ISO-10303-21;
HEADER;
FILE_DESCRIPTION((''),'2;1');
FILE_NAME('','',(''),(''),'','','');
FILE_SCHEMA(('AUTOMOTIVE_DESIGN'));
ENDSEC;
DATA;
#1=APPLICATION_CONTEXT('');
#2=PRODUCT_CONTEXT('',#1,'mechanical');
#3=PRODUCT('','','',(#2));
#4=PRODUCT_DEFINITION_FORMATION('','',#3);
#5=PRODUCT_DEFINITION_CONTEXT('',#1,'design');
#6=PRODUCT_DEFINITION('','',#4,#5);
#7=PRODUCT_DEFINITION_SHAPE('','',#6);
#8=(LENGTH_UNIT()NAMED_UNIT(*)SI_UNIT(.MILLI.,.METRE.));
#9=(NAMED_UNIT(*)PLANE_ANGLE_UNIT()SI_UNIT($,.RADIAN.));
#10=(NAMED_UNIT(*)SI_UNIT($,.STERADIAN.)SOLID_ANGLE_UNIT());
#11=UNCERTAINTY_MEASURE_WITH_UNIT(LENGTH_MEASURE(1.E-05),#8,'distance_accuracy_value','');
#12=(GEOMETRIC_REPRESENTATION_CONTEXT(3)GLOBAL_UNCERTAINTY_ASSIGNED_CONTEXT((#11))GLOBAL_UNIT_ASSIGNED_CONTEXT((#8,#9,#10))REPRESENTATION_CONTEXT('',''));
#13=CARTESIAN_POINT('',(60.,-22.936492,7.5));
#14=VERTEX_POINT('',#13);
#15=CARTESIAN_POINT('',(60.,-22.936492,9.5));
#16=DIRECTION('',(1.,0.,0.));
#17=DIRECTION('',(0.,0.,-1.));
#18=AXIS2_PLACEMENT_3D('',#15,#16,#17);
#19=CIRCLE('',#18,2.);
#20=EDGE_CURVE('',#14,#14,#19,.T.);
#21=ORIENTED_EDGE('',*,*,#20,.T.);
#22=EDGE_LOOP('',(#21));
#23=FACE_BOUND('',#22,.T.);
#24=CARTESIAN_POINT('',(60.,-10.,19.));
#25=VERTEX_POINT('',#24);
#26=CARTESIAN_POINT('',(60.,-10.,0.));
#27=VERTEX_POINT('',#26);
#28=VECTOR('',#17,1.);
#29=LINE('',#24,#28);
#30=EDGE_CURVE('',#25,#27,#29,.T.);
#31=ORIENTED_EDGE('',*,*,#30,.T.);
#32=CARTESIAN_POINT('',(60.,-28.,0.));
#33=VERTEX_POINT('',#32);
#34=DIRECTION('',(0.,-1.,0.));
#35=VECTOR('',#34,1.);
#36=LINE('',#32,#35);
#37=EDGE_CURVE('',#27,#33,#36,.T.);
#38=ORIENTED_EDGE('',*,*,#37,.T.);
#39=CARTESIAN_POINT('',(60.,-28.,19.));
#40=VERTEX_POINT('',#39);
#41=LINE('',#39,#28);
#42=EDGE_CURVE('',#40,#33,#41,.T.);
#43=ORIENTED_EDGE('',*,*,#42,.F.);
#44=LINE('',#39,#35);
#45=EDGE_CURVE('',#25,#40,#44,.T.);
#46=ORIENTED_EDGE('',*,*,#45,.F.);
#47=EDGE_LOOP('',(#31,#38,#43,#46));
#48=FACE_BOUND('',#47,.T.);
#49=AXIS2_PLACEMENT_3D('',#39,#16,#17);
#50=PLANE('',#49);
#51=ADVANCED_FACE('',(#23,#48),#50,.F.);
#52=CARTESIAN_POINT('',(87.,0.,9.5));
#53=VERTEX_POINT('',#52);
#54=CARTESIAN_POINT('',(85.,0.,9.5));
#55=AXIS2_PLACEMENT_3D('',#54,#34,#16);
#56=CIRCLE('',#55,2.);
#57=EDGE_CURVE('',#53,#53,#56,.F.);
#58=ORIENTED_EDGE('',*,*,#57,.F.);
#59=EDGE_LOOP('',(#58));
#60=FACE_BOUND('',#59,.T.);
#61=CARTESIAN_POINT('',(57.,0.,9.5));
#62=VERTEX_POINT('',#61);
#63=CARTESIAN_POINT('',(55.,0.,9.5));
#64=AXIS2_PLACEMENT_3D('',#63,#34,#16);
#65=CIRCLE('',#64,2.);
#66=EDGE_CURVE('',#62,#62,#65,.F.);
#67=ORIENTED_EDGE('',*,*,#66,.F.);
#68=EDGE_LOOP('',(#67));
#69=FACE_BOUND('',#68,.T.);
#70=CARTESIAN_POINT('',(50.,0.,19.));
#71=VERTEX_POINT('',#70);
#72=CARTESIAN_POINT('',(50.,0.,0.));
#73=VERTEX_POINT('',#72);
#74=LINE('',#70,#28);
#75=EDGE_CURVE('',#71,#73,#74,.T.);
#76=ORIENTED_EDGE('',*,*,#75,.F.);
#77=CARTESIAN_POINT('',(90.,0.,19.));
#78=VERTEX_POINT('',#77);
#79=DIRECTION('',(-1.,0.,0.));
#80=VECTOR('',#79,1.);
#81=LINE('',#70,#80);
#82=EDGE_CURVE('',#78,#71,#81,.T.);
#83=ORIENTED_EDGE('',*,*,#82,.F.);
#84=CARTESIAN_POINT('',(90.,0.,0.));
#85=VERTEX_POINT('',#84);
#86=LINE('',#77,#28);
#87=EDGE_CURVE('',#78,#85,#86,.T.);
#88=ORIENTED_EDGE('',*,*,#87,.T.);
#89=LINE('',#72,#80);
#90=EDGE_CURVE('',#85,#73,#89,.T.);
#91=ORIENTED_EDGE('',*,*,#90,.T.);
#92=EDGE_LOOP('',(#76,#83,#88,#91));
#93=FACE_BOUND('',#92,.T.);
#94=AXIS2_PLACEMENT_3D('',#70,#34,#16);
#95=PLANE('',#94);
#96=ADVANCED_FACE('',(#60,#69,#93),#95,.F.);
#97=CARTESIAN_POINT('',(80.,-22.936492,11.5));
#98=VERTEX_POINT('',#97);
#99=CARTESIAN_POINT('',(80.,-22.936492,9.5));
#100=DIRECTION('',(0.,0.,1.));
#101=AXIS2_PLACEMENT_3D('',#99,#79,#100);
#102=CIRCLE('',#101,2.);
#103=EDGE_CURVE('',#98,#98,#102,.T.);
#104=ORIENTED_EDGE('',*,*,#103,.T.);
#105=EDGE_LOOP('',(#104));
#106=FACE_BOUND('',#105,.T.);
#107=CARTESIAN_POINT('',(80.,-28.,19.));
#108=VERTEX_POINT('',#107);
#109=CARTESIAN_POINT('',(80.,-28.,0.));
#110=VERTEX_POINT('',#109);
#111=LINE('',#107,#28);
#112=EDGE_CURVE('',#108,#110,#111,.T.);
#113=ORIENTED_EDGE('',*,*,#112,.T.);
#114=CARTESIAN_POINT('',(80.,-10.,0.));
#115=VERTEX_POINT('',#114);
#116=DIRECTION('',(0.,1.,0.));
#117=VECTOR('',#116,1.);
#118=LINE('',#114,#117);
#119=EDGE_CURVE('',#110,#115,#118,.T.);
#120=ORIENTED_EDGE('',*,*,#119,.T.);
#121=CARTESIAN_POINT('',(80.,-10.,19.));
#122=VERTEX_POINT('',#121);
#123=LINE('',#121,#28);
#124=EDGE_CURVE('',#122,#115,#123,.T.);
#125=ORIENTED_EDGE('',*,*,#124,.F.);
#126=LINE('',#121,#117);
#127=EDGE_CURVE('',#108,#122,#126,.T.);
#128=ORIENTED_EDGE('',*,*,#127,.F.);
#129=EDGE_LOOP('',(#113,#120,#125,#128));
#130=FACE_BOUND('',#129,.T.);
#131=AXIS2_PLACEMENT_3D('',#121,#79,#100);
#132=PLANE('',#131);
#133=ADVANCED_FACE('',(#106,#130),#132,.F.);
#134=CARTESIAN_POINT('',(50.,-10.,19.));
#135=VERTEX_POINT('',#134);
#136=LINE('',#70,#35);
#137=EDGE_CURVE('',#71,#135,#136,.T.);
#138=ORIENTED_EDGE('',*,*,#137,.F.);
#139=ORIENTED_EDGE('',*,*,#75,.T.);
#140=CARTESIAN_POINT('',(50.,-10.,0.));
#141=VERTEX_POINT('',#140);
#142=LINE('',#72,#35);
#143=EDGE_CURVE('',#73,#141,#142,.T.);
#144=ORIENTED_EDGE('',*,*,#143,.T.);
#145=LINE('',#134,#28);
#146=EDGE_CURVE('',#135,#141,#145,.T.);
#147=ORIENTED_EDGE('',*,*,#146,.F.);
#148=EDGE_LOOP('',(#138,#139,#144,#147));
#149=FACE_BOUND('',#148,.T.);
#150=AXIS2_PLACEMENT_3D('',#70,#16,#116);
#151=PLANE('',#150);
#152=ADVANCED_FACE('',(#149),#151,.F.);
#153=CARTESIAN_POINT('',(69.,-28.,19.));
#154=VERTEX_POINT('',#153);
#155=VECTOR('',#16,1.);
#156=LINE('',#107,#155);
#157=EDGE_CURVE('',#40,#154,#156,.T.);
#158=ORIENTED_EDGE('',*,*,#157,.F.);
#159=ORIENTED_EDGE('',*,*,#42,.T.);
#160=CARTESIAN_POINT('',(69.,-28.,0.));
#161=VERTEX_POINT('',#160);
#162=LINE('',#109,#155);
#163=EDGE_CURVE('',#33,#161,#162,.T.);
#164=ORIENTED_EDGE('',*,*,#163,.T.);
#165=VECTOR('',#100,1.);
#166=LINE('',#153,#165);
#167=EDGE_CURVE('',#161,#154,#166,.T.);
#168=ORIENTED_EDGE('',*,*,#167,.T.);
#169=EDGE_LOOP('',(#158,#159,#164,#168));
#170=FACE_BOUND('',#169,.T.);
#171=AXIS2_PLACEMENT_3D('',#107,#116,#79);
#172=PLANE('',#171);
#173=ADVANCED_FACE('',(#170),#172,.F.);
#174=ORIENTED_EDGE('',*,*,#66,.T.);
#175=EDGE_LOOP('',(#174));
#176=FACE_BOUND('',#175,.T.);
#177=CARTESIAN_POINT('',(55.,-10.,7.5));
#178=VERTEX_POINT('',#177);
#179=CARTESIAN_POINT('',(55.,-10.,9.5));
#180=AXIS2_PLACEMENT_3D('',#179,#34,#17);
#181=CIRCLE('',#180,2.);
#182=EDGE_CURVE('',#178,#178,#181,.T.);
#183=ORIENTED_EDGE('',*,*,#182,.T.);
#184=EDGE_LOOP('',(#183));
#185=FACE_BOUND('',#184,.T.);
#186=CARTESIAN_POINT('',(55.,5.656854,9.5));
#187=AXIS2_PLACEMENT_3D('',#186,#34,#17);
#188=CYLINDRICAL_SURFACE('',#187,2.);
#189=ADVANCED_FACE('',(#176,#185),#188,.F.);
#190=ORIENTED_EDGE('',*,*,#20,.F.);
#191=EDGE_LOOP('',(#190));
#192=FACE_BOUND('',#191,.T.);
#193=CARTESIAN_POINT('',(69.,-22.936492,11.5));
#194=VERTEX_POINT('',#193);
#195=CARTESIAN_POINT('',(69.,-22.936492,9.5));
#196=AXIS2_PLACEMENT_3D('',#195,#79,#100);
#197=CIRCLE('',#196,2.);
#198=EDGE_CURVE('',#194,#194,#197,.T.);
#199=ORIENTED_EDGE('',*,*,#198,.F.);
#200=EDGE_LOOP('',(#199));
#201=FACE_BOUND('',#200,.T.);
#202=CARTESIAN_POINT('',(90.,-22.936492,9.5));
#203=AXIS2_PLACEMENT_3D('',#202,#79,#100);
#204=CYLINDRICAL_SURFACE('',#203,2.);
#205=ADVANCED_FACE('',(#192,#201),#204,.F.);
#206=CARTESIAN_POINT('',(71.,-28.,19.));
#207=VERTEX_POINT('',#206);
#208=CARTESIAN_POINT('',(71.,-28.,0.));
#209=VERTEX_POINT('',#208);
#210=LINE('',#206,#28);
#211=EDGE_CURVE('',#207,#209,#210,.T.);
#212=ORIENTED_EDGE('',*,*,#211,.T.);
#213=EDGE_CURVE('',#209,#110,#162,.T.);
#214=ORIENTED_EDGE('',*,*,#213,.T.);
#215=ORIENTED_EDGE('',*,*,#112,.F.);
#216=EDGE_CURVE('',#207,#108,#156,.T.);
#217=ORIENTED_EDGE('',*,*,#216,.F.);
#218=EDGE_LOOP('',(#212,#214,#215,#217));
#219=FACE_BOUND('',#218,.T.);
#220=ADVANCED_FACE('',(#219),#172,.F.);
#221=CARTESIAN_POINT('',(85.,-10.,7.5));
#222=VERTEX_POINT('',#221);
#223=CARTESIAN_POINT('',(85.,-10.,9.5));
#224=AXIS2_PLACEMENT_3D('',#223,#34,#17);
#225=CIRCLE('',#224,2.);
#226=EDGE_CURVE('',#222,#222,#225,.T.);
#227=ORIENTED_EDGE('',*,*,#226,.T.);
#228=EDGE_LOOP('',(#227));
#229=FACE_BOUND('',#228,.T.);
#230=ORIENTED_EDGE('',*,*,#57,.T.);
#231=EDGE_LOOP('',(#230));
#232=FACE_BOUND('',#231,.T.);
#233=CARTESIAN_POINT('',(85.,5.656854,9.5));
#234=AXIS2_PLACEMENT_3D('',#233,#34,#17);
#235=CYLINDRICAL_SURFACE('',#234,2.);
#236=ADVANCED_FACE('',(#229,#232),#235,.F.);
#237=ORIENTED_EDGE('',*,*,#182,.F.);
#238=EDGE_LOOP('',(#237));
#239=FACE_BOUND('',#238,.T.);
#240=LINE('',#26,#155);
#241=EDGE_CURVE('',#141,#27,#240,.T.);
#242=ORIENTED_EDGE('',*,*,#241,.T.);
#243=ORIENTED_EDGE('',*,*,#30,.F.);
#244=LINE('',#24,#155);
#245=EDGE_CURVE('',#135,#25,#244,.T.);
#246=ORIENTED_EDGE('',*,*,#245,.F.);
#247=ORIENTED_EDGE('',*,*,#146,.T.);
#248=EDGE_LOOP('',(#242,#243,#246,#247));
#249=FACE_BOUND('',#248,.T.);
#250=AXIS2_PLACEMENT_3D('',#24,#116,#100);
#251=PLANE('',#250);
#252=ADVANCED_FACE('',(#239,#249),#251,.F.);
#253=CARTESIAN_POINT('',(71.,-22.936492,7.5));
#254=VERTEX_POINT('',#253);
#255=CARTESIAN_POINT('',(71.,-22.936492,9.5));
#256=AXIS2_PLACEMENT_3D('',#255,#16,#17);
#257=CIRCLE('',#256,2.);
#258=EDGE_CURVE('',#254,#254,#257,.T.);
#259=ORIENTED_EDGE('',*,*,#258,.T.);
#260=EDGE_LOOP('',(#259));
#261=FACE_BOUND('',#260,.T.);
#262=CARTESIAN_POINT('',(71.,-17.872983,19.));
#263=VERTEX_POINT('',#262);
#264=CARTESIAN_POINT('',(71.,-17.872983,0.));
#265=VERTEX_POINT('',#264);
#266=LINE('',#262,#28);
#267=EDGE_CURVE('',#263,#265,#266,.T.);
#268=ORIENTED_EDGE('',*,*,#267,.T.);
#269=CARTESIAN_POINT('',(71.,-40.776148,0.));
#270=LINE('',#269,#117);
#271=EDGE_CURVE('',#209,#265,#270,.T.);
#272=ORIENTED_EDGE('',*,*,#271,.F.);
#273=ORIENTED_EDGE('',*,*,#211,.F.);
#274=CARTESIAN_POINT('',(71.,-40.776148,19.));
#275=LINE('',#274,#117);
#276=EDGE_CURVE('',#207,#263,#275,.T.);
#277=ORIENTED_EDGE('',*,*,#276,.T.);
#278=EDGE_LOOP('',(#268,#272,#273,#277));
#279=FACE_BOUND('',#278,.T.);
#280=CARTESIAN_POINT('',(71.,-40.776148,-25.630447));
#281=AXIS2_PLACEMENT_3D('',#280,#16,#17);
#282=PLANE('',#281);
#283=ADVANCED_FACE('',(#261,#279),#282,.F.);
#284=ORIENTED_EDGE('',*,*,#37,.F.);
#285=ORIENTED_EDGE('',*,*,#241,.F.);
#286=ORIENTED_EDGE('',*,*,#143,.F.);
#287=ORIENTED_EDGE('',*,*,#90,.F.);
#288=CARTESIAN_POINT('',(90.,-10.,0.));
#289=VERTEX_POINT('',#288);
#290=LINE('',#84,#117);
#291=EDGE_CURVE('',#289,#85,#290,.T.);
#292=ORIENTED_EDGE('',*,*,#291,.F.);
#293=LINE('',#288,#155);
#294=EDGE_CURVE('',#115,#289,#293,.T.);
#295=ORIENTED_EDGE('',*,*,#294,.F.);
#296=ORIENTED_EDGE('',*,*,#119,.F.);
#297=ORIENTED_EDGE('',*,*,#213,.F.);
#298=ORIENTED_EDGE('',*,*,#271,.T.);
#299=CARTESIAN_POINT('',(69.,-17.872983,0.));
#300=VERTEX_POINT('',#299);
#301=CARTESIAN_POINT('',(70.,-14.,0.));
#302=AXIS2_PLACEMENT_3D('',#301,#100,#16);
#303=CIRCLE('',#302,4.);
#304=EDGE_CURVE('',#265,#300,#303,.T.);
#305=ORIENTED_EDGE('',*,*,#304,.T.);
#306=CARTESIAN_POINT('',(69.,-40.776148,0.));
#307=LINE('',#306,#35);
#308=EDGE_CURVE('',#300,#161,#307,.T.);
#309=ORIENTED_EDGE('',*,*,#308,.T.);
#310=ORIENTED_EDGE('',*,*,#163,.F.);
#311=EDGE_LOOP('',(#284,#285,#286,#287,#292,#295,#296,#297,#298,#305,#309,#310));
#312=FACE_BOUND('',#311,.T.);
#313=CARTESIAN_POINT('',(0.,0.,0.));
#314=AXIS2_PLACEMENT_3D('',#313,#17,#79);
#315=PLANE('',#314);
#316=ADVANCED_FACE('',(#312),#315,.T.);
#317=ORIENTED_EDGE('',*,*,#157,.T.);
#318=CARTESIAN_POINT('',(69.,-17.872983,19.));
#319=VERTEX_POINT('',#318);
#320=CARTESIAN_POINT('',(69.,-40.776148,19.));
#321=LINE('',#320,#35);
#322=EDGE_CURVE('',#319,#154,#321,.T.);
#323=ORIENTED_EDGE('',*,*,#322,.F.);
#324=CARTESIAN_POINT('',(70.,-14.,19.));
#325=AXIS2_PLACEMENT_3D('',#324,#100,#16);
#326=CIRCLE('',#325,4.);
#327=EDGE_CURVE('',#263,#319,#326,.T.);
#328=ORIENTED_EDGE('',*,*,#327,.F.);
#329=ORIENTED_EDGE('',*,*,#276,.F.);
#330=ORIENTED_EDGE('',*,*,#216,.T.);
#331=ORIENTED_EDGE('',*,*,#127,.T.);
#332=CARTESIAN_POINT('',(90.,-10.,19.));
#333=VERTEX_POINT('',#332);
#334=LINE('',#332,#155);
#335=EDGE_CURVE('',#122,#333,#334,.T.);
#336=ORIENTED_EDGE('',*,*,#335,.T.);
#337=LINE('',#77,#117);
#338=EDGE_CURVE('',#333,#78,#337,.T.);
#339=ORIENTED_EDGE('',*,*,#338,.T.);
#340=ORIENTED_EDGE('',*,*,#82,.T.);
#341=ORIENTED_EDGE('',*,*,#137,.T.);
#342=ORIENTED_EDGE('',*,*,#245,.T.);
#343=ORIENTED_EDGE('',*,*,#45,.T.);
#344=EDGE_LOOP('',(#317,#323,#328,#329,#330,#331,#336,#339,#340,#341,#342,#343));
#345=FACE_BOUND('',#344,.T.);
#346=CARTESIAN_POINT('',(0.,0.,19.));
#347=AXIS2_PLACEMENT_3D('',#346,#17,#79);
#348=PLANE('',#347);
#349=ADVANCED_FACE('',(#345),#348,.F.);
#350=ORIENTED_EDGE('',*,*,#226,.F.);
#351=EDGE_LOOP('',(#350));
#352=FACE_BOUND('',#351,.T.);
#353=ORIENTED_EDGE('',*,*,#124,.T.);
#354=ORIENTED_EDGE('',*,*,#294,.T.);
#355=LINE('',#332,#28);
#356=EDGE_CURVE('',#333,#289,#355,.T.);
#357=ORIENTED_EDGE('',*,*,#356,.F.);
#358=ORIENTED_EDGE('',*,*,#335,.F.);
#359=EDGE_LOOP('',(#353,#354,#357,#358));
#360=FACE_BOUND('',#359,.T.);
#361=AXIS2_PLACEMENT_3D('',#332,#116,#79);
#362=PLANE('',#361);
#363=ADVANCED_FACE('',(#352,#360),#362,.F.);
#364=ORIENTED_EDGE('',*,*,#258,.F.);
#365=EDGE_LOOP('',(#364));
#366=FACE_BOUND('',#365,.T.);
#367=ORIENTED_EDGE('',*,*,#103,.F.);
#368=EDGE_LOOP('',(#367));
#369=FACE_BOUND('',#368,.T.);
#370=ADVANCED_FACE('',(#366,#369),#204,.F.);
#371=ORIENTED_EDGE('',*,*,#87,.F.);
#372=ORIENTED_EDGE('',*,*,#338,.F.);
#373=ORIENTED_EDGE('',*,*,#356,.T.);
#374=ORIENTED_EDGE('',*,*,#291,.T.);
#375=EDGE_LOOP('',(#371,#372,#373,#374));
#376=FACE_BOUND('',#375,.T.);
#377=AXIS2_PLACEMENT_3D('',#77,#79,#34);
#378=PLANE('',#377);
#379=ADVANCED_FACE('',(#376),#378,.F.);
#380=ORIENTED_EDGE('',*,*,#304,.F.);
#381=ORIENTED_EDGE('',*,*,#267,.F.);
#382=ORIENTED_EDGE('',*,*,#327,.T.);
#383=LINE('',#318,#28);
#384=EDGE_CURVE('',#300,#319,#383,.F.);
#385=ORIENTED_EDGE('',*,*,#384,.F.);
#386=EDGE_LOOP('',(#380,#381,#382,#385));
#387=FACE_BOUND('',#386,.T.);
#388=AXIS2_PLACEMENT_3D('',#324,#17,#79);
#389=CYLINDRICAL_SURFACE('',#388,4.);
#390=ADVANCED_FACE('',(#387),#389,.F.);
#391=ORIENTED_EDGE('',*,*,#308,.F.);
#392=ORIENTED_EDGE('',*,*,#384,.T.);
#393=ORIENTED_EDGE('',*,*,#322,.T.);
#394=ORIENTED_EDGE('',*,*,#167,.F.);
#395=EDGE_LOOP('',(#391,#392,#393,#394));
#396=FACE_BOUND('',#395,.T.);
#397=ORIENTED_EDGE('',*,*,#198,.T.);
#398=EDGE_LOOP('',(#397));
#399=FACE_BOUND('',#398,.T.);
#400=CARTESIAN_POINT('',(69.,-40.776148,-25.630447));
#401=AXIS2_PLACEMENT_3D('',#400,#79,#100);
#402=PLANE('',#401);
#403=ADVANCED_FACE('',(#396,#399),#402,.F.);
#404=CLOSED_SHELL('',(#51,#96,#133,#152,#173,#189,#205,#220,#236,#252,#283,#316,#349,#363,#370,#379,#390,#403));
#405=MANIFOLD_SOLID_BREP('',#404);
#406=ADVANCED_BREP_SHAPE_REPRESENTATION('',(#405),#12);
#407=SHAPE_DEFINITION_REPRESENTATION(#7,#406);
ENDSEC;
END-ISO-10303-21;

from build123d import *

# Parameters (mm, degrees)
SKETCH1_R               = 4
BOSS_EXTRUDE1_DEPTH     = 19
SKETCH3_R               = 2
CUT_EXTRUDE2_DEPTH      = 10
SKETCH4_W               = 2
SKETCH4_H               = 25.552295944
CUT_EXTRUDE3_DEPTH      = 19
CUT_EXTRUDE4_DEPTH      = 40.824615503
CUT_EXTRUDE4_DEPTH_BACK = 40.824615503
SKETCH5_R               = 2


with BuildPart() as part:
    # Sketch1 → Boss-Extrude1 (new body)
    with BuildSketch(Plane.XY):
        Polygon((50, 0), (90, 0), (90, -10), (80, -10), (80, -28), (60, -28), (60, -10), (50, -10), align=None)
        with Locations((70, -14)):
            Circle(SKETCH1_R, mode=Mode.SUBTRACT)
    extrude(amount=BOSS_EXTRUDE1_DEPTH)

    # Sketch3 → Cut-Extrude2 (cut)
    with BuildSketch(Plane(origin=(0, -10, 0), x_dir=(-1, 0, 0), z_dir=(0, -1, 0))):
        with Locations(Location((-85, -9.5, 0), (0, 0, 90))):
            Circle(SKETCH3_R)
        with Locations(Location((-55, -9.5, 0), (0, 0, 90))):
            Circle(SKETCH3_R)
    extrude(amount=-CUT_EXTRUDE2_DEPTH, mode=Mode.SUBTRACT)

    # Sketch4 → Cut-Extrude3 (cut)
    with BuildSketch(Plane.XY.offset(19)):
        with Locations((70, -28)):
            Rectangle(SKETCH4_W, SKETCH4_H)
    extrude(amount=-CUT_EXTRUDE3_DEPTH, mode=Mode.SUBTRACT)

    # Sketch5 → Cut-Extrude4 (cut, two sides: drawn at the far end of the back side and taken through both)
    with BuildSketch(Plane.ZY.offset(-71).offset(-CUT_EXTRUDE4_DEPTH_BACK)):
        with Locations((9.5, -22.936491673)):
            Circle(SKETCH5_R)
    extrude(amount=CUT_EXTRUDE4_DEPTH + CUT_EXTRUDE4_DEPTH_BACK, mode=Mode.SUBTRACT)


solid = part.part
